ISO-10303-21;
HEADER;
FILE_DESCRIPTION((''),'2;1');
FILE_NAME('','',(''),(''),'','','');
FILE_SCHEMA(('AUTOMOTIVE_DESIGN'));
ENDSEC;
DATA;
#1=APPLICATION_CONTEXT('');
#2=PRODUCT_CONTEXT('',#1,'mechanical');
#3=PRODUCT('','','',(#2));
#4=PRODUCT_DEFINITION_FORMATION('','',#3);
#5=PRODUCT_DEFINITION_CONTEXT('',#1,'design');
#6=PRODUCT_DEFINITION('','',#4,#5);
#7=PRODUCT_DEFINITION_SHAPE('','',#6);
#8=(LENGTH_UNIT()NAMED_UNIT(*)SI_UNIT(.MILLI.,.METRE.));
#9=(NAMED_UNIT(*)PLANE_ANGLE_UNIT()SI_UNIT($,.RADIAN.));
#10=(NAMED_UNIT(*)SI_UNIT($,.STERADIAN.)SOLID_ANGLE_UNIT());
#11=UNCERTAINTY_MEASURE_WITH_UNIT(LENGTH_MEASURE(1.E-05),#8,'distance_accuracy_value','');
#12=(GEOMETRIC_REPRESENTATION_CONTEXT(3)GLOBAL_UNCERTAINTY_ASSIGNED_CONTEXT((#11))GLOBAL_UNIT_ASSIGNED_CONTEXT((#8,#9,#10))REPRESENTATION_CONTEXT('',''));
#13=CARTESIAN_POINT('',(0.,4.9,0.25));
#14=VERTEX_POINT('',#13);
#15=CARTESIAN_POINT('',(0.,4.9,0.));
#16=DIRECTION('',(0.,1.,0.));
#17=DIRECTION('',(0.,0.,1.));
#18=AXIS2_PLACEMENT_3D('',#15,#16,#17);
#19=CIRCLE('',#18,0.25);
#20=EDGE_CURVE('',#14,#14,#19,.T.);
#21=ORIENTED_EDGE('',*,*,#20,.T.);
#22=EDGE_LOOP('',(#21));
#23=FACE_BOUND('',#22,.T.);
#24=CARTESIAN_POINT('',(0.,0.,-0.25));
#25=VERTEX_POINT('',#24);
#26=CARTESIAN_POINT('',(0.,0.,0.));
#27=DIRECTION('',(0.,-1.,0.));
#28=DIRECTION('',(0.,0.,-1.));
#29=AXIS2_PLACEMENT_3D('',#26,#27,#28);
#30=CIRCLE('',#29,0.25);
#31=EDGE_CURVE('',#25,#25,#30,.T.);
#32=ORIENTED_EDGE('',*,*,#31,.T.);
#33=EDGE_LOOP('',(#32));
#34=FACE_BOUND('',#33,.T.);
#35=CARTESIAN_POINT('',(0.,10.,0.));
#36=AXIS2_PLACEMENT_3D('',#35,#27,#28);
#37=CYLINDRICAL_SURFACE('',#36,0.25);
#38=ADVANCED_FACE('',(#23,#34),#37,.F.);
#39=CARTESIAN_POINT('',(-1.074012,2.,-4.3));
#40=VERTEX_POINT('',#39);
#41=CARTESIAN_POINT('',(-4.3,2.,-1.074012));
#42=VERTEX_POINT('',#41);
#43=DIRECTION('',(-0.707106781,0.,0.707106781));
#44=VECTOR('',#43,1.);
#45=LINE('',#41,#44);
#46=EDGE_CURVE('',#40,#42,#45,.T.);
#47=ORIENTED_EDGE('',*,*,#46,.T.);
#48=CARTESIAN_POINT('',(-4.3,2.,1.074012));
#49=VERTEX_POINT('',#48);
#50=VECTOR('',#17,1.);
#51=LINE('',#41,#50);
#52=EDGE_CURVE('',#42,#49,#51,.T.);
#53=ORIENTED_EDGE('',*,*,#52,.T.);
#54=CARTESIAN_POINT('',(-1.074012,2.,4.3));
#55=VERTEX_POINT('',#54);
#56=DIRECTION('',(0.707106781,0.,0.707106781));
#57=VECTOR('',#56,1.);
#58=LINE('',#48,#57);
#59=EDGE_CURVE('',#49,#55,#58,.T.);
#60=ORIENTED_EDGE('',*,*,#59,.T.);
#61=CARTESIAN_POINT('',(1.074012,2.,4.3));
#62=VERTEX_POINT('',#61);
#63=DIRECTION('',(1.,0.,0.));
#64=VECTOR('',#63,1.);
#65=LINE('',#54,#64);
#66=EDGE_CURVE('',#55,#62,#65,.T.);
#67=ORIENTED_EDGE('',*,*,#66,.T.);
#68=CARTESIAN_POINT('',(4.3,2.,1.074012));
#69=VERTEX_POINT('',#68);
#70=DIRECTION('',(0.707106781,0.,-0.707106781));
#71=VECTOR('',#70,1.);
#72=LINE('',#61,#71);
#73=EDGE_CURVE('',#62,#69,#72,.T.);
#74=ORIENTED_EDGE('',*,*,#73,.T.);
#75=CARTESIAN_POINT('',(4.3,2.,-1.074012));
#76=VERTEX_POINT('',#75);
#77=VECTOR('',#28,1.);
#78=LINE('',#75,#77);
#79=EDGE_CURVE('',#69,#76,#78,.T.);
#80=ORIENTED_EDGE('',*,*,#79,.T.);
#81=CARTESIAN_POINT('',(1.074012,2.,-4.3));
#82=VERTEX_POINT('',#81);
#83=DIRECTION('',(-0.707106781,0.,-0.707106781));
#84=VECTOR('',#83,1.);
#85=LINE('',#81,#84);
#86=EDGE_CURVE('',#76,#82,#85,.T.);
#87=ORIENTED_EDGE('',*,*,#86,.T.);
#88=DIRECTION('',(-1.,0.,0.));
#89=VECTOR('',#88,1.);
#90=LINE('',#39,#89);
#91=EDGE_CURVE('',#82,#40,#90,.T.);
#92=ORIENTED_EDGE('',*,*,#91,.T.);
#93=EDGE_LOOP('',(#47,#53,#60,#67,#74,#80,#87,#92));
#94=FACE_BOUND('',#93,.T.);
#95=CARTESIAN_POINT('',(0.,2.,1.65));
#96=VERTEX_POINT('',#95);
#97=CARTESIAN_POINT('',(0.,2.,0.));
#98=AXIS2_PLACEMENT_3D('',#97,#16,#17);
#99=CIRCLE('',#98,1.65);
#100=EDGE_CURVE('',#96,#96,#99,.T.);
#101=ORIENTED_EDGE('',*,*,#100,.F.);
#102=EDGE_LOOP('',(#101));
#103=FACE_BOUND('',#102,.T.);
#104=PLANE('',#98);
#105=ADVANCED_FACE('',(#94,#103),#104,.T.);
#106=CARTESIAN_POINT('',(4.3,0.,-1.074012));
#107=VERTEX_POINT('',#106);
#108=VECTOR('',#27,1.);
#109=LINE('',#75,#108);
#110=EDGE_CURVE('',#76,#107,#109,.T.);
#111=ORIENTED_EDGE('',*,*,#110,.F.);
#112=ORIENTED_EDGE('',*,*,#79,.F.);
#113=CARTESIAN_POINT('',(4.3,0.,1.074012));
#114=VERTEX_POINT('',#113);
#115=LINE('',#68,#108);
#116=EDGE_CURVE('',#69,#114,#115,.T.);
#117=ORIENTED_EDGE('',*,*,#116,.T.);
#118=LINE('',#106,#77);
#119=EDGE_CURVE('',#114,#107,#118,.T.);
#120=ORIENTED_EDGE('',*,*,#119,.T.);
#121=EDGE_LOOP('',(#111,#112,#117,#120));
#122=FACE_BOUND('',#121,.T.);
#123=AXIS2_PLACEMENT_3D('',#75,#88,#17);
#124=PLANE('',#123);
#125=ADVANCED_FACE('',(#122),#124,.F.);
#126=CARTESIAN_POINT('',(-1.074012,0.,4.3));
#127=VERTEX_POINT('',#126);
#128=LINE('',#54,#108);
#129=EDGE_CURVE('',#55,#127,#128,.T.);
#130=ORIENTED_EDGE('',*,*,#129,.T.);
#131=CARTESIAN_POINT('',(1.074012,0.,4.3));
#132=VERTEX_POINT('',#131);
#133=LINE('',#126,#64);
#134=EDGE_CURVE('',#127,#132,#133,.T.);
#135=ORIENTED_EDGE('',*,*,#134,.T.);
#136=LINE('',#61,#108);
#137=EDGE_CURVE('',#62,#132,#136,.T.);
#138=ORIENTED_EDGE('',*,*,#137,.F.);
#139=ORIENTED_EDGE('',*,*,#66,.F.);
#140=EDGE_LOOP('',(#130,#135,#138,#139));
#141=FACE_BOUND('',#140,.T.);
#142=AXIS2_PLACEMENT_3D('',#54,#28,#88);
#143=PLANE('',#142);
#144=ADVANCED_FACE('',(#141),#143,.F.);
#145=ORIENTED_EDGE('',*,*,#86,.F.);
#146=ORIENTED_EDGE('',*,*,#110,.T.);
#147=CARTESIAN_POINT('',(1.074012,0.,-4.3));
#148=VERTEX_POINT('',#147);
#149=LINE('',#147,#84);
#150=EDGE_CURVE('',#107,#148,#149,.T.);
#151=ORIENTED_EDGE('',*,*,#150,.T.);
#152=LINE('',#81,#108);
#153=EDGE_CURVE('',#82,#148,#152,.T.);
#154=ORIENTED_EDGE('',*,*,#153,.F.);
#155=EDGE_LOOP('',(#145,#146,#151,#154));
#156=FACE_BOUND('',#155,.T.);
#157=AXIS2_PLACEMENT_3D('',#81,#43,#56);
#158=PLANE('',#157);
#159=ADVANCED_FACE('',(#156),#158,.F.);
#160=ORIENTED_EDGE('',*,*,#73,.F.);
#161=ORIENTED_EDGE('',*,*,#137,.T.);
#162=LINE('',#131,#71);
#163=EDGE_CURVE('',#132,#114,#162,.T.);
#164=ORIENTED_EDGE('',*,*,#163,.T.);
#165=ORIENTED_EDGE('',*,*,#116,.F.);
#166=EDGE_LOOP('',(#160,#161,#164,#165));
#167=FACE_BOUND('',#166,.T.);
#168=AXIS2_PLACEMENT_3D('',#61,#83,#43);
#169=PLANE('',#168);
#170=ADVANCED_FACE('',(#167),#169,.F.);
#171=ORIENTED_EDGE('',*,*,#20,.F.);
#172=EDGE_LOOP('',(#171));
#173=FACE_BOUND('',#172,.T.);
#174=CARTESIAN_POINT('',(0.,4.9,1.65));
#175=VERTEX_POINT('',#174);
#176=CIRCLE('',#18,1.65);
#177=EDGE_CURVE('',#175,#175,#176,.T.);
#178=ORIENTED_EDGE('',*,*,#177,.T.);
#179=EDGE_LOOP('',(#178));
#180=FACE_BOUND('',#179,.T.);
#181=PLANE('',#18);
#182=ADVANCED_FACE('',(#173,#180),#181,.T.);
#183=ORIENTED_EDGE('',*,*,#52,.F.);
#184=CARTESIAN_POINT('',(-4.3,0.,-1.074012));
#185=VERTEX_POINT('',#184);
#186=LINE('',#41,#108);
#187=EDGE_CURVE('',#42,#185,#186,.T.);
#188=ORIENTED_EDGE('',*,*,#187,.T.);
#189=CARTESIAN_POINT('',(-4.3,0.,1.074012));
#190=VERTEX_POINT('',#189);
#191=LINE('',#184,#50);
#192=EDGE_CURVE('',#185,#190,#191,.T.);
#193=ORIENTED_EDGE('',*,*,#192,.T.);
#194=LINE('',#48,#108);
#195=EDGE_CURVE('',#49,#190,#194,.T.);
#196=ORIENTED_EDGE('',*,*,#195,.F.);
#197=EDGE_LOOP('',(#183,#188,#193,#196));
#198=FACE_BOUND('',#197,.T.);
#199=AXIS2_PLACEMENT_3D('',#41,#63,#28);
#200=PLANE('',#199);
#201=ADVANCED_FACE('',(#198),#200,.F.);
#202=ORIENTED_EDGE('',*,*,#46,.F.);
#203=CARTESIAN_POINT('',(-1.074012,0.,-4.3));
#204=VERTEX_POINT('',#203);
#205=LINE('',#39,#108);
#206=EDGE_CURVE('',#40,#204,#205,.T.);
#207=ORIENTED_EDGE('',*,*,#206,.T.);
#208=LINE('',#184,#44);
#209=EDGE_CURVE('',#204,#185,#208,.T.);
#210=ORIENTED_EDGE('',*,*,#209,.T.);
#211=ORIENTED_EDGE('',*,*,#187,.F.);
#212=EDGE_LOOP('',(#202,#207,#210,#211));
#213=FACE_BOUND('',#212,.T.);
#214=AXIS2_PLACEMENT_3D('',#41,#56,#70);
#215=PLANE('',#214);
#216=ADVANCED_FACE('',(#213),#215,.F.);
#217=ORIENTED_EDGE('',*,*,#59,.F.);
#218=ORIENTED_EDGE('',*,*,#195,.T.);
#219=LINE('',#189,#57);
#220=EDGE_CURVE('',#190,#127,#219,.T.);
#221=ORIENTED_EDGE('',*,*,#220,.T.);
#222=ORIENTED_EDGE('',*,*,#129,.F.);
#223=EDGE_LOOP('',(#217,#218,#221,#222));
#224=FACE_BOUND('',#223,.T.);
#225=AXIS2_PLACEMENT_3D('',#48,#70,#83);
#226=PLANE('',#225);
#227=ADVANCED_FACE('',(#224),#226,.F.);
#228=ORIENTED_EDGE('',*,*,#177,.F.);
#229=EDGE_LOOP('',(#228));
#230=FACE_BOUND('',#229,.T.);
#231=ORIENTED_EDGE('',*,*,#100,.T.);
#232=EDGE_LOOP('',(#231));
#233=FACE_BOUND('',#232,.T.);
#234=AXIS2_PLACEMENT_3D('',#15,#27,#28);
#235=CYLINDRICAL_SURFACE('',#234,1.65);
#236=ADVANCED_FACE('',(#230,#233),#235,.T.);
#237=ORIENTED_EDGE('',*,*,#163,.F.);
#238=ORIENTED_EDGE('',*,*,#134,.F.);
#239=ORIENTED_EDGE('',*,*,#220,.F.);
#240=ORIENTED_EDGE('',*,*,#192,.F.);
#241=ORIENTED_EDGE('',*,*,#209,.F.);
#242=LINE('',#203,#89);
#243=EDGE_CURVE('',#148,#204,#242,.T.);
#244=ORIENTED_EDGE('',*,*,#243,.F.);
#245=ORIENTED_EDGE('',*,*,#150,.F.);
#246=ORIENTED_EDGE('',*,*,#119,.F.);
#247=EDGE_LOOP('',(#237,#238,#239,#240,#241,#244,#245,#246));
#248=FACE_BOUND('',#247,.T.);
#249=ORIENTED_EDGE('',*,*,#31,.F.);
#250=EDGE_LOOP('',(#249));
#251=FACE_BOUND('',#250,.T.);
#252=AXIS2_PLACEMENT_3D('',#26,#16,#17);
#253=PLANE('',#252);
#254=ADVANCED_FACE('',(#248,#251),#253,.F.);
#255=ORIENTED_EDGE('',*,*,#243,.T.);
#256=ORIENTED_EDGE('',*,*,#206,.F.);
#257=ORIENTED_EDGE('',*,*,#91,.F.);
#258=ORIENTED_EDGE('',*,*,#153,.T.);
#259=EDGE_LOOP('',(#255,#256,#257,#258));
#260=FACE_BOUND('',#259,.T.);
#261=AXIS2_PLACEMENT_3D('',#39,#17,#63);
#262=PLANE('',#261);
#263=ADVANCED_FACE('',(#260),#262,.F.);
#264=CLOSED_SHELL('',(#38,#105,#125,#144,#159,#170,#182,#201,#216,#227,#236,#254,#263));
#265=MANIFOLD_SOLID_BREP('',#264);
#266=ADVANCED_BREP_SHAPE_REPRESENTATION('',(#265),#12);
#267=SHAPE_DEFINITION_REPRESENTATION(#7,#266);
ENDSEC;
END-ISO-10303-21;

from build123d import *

# Parameters (mm, degrees)
EXTRUDE_1_DEPTH     = 2
SKETCH_2_R          = 1.65
EXTRUDE_2_DEPTH     = 2.9
SKETCH_3_R          = 0.25
CUT_EXTRUDE_1_DEPTH = 10


with BuildPart() as part:
    # 草图1 → 凸台-拉伸1 (new body)
    with BuildSketch(Plane(origin=(0, 0, 0), x_dir=(1, 0, 0), z_dir=(0, 1, 0))):
        Polygon((-4.3, -1.074011537), (-1.074011537, -4.3), (1.074011537, -4.3), (4.3, -1.074011537), (4.3, 1.074011537), (1.074011537, 4.3), (-1.074011537, 4.3), (-4.3, 1.074011537), align=None)
    extrude(amount=EXTRUDE_1_DEPTH)

    # 草图2 → 凸台-拉伸2 (add)
    with BuildSketch(Plane(origin=(0, 2, 0), x_dir=(1, 0, 0), z_dir=(0, 1, 0))):
        with Locations(Location((0, 0, 0), (0, 0, 270))):
            Circle(SKETCH_2_R)
    extrude(amount=EXTRUDE_2_DEPTH)

    # 草图3 → 切除-拉伸1 (cut)
    with BuildSketch(Plane.XZ):
        with Locations(Location((0, 0, 0), (0, 0, 270))):
            Circle(SKETCH_3_R)
    extrude(amount=-CUT_EXTRUDE_1_DEPTH, mode=Mode.SUBTRACT)


solid = part.part
